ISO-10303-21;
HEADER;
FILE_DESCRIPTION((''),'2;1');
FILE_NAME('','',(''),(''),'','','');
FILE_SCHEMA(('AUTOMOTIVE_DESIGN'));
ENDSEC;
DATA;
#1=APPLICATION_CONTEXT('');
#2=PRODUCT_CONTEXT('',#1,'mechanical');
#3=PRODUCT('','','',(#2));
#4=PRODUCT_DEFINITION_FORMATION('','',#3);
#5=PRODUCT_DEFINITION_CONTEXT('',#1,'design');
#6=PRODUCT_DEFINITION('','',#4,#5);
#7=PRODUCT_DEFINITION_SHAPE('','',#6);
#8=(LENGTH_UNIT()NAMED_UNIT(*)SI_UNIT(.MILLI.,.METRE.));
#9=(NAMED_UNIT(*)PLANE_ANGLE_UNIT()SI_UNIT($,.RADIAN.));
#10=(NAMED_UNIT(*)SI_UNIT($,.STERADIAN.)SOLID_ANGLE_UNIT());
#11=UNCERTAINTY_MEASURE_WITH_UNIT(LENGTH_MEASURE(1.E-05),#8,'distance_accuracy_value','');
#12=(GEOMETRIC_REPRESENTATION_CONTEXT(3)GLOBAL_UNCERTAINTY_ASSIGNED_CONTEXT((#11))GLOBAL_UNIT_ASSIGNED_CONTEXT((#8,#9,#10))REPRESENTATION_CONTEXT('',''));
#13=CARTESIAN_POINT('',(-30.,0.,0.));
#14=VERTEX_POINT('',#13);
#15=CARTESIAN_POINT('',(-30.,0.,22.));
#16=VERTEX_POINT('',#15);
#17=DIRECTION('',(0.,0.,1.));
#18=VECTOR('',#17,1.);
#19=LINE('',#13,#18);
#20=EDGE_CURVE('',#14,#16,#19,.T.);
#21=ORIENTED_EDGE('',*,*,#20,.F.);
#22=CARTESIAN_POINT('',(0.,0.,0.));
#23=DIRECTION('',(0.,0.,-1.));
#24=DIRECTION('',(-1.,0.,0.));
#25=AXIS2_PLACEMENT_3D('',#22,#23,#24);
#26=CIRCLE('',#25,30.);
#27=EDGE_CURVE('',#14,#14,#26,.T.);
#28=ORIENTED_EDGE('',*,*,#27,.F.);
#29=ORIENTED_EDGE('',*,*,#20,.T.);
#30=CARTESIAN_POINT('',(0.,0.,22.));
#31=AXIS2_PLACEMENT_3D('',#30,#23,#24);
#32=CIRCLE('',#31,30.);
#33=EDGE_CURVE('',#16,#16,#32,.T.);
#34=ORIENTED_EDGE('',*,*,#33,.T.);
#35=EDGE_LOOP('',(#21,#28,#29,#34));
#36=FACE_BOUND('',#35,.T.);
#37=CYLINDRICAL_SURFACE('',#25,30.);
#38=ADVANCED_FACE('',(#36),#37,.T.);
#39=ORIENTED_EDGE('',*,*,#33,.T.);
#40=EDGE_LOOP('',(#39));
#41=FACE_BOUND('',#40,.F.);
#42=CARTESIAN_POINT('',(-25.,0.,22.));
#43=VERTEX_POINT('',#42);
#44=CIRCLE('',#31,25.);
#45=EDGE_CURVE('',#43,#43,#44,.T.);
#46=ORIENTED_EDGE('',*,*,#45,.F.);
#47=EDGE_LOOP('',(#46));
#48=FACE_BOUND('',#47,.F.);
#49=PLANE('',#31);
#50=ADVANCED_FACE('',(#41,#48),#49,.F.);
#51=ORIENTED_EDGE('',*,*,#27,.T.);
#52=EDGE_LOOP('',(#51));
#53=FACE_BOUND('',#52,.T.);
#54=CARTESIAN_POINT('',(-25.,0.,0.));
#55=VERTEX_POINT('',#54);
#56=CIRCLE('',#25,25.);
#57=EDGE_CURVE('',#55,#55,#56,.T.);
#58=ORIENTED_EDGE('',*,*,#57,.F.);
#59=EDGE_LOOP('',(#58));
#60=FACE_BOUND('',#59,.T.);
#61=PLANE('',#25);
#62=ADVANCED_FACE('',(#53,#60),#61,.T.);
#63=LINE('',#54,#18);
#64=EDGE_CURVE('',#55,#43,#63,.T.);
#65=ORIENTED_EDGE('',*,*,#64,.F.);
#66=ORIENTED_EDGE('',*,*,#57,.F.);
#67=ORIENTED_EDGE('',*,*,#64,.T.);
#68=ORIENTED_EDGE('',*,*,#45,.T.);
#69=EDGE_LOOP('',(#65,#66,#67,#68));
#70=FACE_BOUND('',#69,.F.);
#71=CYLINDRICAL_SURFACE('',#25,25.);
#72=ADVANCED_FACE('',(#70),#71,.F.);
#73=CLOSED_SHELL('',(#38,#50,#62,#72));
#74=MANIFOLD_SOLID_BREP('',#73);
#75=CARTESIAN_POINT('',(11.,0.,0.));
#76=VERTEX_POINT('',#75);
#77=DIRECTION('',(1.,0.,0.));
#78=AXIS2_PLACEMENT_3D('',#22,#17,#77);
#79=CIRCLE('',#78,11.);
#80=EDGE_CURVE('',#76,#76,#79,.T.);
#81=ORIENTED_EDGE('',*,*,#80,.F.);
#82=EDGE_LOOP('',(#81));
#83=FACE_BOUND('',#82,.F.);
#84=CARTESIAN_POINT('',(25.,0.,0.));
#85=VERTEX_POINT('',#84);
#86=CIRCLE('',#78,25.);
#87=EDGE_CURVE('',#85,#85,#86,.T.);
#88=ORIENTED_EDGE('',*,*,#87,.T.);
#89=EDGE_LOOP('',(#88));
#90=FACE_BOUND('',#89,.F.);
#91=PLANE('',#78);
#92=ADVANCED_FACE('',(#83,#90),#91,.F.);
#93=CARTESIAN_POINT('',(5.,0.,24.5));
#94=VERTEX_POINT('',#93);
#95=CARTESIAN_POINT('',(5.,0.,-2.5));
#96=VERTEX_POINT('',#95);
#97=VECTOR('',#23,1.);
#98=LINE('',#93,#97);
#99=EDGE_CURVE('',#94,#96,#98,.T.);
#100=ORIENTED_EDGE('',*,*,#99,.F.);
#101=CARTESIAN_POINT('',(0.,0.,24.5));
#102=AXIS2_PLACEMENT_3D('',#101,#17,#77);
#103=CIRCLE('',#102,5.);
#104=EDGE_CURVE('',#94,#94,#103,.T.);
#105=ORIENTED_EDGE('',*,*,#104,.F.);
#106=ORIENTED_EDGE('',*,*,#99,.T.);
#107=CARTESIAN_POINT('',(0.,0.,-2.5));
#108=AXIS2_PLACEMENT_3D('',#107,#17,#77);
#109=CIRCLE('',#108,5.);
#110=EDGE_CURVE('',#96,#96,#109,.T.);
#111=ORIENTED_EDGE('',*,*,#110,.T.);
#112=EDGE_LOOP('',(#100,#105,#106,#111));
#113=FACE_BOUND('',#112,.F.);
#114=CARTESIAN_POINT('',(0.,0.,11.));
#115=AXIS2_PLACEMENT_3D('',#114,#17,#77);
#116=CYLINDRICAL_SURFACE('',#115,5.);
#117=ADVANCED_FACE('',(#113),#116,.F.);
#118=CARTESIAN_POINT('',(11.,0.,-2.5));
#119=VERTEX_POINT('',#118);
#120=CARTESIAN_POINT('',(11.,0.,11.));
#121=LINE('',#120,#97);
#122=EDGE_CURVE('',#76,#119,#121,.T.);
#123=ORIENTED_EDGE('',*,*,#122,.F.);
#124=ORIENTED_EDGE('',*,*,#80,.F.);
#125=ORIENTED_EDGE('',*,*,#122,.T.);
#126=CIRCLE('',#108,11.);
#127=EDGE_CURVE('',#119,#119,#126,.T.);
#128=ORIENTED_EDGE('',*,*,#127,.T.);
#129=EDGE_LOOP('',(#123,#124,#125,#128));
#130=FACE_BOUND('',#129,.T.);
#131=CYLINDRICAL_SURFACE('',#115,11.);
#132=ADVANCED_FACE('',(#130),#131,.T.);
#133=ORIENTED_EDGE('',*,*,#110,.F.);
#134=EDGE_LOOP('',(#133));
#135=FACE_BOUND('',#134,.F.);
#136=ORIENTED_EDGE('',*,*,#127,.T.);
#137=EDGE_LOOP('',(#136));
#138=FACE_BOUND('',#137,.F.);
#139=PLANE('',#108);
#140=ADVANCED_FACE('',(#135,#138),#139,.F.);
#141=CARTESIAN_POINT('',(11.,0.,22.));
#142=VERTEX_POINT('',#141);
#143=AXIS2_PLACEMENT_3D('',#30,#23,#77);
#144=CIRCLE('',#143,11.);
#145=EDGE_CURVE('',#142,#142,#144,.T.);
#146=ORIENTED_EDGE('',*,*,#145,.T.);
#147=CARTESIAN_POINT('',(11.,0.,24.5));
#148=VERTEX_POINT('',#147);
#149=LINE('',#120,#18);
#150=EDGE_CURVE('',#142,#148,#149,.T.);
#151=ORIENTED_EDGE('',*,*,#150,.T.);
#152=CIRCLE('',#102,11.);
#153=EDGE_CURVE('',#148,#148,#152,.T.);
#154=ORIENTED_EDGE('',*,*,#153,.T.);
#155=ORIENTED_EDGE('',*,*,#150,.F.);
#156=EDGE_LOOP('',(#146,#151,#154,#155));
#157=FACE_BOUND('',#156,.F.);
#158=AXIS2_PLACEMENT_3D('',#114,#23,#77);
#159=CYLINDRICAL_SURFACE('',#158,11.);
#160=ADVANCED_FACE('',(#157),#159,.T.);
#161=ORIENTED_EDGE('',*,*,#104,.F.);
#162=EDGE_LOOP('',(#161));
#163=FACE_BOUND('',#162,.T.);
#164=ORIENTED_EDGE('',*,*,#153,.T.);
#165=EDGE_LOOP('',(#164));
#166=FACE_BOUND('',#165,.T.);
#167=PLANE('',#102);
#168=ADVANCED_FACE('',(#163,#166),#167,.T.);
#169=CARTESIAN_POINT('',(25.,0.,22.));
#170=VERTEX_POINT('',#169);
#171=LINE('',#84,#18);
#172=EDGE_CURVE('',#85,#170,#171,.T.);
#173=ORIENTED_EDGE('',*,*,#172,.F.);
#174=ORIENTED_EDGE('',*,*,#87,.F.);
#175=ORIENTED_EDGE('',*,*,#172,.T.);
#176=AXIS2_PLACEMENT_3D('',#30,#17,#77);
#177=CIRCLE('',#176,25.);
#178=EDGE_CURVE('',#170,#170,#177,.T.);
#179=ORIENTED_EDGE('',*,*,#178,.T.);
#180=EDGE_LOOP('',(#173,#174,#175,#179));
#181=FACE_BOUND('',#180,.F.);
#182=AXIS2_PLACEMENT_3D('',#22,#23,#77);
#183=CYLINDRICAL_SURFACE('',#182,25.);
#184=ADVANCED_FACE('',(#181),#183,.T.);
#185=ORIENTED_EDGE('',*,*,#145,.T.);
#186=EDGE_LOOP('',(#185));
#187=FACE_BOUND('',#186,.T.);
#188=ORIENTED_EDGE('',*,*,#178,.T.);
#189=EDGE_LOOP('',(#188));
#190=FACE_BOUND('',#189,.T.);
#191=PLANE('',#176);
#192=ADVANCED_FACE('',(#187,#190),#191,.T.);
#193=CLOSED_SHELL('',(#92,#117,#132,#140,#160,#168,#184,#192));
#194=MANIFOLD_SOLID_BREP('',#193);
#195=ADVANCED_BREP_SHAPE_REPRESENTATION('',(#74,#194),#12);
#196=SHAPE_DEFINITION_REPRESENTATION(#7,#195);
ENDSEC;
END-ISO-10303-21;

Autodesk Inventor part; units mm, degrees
ref_plane "YZ Plane" through (0, 0, 0) normal (1, 0, 0) x (0, 1, 0)
ref_plane "XZ Plane" through (0, 0, 0) normal (0, 1, 0) x (-1, 0, 0)
sketch "Skizze1" plane through (0, 0, 0) normal (0, 0, 1) x (1, 0, 0)
  circle A0 centre (0, 0) radius 25
  circle A1 centre (0, 0) radius 5
  dimension "d0" = 50
  dimension "d1" = 10
extrude "Extrusion1" add sketch "Skizze1" along normal blind 22
sketch "Skizze2" plane through (0, 0, 0) normal (0, 0, -1) x (-1, 0, 0)
  circle A0 centre (0, 0) radius 30
  circle A1 centre (0, 0) radius 5 projected
  circle A2 centre (0, 0) radius 25 projected
  dimension "d4" = 60
extrude "Extrusion2" add sketch "Skizze2" against normal up to surface (22 mm away) separate body contours A0
ref_plane "Arbeitsebene1" through (0, 0, 11) normal (0, 0, 1) x (1, 0, 0)
sketch "Skizze3" plane through (0, 0, 11) normal (0, 0, 1) x (1, 0, 0)
  circle A0 centre (0, 0) radius 11
  circle A1 centre (0, 0) radius 5 projected
  dimension "d7" = 22
extrude "Extrusion3" add sketch "Skizze3" along normal mid plane 27 bodies 1
properties part number "Gummiwalze" material "PC/ABS-Kunststoff"
